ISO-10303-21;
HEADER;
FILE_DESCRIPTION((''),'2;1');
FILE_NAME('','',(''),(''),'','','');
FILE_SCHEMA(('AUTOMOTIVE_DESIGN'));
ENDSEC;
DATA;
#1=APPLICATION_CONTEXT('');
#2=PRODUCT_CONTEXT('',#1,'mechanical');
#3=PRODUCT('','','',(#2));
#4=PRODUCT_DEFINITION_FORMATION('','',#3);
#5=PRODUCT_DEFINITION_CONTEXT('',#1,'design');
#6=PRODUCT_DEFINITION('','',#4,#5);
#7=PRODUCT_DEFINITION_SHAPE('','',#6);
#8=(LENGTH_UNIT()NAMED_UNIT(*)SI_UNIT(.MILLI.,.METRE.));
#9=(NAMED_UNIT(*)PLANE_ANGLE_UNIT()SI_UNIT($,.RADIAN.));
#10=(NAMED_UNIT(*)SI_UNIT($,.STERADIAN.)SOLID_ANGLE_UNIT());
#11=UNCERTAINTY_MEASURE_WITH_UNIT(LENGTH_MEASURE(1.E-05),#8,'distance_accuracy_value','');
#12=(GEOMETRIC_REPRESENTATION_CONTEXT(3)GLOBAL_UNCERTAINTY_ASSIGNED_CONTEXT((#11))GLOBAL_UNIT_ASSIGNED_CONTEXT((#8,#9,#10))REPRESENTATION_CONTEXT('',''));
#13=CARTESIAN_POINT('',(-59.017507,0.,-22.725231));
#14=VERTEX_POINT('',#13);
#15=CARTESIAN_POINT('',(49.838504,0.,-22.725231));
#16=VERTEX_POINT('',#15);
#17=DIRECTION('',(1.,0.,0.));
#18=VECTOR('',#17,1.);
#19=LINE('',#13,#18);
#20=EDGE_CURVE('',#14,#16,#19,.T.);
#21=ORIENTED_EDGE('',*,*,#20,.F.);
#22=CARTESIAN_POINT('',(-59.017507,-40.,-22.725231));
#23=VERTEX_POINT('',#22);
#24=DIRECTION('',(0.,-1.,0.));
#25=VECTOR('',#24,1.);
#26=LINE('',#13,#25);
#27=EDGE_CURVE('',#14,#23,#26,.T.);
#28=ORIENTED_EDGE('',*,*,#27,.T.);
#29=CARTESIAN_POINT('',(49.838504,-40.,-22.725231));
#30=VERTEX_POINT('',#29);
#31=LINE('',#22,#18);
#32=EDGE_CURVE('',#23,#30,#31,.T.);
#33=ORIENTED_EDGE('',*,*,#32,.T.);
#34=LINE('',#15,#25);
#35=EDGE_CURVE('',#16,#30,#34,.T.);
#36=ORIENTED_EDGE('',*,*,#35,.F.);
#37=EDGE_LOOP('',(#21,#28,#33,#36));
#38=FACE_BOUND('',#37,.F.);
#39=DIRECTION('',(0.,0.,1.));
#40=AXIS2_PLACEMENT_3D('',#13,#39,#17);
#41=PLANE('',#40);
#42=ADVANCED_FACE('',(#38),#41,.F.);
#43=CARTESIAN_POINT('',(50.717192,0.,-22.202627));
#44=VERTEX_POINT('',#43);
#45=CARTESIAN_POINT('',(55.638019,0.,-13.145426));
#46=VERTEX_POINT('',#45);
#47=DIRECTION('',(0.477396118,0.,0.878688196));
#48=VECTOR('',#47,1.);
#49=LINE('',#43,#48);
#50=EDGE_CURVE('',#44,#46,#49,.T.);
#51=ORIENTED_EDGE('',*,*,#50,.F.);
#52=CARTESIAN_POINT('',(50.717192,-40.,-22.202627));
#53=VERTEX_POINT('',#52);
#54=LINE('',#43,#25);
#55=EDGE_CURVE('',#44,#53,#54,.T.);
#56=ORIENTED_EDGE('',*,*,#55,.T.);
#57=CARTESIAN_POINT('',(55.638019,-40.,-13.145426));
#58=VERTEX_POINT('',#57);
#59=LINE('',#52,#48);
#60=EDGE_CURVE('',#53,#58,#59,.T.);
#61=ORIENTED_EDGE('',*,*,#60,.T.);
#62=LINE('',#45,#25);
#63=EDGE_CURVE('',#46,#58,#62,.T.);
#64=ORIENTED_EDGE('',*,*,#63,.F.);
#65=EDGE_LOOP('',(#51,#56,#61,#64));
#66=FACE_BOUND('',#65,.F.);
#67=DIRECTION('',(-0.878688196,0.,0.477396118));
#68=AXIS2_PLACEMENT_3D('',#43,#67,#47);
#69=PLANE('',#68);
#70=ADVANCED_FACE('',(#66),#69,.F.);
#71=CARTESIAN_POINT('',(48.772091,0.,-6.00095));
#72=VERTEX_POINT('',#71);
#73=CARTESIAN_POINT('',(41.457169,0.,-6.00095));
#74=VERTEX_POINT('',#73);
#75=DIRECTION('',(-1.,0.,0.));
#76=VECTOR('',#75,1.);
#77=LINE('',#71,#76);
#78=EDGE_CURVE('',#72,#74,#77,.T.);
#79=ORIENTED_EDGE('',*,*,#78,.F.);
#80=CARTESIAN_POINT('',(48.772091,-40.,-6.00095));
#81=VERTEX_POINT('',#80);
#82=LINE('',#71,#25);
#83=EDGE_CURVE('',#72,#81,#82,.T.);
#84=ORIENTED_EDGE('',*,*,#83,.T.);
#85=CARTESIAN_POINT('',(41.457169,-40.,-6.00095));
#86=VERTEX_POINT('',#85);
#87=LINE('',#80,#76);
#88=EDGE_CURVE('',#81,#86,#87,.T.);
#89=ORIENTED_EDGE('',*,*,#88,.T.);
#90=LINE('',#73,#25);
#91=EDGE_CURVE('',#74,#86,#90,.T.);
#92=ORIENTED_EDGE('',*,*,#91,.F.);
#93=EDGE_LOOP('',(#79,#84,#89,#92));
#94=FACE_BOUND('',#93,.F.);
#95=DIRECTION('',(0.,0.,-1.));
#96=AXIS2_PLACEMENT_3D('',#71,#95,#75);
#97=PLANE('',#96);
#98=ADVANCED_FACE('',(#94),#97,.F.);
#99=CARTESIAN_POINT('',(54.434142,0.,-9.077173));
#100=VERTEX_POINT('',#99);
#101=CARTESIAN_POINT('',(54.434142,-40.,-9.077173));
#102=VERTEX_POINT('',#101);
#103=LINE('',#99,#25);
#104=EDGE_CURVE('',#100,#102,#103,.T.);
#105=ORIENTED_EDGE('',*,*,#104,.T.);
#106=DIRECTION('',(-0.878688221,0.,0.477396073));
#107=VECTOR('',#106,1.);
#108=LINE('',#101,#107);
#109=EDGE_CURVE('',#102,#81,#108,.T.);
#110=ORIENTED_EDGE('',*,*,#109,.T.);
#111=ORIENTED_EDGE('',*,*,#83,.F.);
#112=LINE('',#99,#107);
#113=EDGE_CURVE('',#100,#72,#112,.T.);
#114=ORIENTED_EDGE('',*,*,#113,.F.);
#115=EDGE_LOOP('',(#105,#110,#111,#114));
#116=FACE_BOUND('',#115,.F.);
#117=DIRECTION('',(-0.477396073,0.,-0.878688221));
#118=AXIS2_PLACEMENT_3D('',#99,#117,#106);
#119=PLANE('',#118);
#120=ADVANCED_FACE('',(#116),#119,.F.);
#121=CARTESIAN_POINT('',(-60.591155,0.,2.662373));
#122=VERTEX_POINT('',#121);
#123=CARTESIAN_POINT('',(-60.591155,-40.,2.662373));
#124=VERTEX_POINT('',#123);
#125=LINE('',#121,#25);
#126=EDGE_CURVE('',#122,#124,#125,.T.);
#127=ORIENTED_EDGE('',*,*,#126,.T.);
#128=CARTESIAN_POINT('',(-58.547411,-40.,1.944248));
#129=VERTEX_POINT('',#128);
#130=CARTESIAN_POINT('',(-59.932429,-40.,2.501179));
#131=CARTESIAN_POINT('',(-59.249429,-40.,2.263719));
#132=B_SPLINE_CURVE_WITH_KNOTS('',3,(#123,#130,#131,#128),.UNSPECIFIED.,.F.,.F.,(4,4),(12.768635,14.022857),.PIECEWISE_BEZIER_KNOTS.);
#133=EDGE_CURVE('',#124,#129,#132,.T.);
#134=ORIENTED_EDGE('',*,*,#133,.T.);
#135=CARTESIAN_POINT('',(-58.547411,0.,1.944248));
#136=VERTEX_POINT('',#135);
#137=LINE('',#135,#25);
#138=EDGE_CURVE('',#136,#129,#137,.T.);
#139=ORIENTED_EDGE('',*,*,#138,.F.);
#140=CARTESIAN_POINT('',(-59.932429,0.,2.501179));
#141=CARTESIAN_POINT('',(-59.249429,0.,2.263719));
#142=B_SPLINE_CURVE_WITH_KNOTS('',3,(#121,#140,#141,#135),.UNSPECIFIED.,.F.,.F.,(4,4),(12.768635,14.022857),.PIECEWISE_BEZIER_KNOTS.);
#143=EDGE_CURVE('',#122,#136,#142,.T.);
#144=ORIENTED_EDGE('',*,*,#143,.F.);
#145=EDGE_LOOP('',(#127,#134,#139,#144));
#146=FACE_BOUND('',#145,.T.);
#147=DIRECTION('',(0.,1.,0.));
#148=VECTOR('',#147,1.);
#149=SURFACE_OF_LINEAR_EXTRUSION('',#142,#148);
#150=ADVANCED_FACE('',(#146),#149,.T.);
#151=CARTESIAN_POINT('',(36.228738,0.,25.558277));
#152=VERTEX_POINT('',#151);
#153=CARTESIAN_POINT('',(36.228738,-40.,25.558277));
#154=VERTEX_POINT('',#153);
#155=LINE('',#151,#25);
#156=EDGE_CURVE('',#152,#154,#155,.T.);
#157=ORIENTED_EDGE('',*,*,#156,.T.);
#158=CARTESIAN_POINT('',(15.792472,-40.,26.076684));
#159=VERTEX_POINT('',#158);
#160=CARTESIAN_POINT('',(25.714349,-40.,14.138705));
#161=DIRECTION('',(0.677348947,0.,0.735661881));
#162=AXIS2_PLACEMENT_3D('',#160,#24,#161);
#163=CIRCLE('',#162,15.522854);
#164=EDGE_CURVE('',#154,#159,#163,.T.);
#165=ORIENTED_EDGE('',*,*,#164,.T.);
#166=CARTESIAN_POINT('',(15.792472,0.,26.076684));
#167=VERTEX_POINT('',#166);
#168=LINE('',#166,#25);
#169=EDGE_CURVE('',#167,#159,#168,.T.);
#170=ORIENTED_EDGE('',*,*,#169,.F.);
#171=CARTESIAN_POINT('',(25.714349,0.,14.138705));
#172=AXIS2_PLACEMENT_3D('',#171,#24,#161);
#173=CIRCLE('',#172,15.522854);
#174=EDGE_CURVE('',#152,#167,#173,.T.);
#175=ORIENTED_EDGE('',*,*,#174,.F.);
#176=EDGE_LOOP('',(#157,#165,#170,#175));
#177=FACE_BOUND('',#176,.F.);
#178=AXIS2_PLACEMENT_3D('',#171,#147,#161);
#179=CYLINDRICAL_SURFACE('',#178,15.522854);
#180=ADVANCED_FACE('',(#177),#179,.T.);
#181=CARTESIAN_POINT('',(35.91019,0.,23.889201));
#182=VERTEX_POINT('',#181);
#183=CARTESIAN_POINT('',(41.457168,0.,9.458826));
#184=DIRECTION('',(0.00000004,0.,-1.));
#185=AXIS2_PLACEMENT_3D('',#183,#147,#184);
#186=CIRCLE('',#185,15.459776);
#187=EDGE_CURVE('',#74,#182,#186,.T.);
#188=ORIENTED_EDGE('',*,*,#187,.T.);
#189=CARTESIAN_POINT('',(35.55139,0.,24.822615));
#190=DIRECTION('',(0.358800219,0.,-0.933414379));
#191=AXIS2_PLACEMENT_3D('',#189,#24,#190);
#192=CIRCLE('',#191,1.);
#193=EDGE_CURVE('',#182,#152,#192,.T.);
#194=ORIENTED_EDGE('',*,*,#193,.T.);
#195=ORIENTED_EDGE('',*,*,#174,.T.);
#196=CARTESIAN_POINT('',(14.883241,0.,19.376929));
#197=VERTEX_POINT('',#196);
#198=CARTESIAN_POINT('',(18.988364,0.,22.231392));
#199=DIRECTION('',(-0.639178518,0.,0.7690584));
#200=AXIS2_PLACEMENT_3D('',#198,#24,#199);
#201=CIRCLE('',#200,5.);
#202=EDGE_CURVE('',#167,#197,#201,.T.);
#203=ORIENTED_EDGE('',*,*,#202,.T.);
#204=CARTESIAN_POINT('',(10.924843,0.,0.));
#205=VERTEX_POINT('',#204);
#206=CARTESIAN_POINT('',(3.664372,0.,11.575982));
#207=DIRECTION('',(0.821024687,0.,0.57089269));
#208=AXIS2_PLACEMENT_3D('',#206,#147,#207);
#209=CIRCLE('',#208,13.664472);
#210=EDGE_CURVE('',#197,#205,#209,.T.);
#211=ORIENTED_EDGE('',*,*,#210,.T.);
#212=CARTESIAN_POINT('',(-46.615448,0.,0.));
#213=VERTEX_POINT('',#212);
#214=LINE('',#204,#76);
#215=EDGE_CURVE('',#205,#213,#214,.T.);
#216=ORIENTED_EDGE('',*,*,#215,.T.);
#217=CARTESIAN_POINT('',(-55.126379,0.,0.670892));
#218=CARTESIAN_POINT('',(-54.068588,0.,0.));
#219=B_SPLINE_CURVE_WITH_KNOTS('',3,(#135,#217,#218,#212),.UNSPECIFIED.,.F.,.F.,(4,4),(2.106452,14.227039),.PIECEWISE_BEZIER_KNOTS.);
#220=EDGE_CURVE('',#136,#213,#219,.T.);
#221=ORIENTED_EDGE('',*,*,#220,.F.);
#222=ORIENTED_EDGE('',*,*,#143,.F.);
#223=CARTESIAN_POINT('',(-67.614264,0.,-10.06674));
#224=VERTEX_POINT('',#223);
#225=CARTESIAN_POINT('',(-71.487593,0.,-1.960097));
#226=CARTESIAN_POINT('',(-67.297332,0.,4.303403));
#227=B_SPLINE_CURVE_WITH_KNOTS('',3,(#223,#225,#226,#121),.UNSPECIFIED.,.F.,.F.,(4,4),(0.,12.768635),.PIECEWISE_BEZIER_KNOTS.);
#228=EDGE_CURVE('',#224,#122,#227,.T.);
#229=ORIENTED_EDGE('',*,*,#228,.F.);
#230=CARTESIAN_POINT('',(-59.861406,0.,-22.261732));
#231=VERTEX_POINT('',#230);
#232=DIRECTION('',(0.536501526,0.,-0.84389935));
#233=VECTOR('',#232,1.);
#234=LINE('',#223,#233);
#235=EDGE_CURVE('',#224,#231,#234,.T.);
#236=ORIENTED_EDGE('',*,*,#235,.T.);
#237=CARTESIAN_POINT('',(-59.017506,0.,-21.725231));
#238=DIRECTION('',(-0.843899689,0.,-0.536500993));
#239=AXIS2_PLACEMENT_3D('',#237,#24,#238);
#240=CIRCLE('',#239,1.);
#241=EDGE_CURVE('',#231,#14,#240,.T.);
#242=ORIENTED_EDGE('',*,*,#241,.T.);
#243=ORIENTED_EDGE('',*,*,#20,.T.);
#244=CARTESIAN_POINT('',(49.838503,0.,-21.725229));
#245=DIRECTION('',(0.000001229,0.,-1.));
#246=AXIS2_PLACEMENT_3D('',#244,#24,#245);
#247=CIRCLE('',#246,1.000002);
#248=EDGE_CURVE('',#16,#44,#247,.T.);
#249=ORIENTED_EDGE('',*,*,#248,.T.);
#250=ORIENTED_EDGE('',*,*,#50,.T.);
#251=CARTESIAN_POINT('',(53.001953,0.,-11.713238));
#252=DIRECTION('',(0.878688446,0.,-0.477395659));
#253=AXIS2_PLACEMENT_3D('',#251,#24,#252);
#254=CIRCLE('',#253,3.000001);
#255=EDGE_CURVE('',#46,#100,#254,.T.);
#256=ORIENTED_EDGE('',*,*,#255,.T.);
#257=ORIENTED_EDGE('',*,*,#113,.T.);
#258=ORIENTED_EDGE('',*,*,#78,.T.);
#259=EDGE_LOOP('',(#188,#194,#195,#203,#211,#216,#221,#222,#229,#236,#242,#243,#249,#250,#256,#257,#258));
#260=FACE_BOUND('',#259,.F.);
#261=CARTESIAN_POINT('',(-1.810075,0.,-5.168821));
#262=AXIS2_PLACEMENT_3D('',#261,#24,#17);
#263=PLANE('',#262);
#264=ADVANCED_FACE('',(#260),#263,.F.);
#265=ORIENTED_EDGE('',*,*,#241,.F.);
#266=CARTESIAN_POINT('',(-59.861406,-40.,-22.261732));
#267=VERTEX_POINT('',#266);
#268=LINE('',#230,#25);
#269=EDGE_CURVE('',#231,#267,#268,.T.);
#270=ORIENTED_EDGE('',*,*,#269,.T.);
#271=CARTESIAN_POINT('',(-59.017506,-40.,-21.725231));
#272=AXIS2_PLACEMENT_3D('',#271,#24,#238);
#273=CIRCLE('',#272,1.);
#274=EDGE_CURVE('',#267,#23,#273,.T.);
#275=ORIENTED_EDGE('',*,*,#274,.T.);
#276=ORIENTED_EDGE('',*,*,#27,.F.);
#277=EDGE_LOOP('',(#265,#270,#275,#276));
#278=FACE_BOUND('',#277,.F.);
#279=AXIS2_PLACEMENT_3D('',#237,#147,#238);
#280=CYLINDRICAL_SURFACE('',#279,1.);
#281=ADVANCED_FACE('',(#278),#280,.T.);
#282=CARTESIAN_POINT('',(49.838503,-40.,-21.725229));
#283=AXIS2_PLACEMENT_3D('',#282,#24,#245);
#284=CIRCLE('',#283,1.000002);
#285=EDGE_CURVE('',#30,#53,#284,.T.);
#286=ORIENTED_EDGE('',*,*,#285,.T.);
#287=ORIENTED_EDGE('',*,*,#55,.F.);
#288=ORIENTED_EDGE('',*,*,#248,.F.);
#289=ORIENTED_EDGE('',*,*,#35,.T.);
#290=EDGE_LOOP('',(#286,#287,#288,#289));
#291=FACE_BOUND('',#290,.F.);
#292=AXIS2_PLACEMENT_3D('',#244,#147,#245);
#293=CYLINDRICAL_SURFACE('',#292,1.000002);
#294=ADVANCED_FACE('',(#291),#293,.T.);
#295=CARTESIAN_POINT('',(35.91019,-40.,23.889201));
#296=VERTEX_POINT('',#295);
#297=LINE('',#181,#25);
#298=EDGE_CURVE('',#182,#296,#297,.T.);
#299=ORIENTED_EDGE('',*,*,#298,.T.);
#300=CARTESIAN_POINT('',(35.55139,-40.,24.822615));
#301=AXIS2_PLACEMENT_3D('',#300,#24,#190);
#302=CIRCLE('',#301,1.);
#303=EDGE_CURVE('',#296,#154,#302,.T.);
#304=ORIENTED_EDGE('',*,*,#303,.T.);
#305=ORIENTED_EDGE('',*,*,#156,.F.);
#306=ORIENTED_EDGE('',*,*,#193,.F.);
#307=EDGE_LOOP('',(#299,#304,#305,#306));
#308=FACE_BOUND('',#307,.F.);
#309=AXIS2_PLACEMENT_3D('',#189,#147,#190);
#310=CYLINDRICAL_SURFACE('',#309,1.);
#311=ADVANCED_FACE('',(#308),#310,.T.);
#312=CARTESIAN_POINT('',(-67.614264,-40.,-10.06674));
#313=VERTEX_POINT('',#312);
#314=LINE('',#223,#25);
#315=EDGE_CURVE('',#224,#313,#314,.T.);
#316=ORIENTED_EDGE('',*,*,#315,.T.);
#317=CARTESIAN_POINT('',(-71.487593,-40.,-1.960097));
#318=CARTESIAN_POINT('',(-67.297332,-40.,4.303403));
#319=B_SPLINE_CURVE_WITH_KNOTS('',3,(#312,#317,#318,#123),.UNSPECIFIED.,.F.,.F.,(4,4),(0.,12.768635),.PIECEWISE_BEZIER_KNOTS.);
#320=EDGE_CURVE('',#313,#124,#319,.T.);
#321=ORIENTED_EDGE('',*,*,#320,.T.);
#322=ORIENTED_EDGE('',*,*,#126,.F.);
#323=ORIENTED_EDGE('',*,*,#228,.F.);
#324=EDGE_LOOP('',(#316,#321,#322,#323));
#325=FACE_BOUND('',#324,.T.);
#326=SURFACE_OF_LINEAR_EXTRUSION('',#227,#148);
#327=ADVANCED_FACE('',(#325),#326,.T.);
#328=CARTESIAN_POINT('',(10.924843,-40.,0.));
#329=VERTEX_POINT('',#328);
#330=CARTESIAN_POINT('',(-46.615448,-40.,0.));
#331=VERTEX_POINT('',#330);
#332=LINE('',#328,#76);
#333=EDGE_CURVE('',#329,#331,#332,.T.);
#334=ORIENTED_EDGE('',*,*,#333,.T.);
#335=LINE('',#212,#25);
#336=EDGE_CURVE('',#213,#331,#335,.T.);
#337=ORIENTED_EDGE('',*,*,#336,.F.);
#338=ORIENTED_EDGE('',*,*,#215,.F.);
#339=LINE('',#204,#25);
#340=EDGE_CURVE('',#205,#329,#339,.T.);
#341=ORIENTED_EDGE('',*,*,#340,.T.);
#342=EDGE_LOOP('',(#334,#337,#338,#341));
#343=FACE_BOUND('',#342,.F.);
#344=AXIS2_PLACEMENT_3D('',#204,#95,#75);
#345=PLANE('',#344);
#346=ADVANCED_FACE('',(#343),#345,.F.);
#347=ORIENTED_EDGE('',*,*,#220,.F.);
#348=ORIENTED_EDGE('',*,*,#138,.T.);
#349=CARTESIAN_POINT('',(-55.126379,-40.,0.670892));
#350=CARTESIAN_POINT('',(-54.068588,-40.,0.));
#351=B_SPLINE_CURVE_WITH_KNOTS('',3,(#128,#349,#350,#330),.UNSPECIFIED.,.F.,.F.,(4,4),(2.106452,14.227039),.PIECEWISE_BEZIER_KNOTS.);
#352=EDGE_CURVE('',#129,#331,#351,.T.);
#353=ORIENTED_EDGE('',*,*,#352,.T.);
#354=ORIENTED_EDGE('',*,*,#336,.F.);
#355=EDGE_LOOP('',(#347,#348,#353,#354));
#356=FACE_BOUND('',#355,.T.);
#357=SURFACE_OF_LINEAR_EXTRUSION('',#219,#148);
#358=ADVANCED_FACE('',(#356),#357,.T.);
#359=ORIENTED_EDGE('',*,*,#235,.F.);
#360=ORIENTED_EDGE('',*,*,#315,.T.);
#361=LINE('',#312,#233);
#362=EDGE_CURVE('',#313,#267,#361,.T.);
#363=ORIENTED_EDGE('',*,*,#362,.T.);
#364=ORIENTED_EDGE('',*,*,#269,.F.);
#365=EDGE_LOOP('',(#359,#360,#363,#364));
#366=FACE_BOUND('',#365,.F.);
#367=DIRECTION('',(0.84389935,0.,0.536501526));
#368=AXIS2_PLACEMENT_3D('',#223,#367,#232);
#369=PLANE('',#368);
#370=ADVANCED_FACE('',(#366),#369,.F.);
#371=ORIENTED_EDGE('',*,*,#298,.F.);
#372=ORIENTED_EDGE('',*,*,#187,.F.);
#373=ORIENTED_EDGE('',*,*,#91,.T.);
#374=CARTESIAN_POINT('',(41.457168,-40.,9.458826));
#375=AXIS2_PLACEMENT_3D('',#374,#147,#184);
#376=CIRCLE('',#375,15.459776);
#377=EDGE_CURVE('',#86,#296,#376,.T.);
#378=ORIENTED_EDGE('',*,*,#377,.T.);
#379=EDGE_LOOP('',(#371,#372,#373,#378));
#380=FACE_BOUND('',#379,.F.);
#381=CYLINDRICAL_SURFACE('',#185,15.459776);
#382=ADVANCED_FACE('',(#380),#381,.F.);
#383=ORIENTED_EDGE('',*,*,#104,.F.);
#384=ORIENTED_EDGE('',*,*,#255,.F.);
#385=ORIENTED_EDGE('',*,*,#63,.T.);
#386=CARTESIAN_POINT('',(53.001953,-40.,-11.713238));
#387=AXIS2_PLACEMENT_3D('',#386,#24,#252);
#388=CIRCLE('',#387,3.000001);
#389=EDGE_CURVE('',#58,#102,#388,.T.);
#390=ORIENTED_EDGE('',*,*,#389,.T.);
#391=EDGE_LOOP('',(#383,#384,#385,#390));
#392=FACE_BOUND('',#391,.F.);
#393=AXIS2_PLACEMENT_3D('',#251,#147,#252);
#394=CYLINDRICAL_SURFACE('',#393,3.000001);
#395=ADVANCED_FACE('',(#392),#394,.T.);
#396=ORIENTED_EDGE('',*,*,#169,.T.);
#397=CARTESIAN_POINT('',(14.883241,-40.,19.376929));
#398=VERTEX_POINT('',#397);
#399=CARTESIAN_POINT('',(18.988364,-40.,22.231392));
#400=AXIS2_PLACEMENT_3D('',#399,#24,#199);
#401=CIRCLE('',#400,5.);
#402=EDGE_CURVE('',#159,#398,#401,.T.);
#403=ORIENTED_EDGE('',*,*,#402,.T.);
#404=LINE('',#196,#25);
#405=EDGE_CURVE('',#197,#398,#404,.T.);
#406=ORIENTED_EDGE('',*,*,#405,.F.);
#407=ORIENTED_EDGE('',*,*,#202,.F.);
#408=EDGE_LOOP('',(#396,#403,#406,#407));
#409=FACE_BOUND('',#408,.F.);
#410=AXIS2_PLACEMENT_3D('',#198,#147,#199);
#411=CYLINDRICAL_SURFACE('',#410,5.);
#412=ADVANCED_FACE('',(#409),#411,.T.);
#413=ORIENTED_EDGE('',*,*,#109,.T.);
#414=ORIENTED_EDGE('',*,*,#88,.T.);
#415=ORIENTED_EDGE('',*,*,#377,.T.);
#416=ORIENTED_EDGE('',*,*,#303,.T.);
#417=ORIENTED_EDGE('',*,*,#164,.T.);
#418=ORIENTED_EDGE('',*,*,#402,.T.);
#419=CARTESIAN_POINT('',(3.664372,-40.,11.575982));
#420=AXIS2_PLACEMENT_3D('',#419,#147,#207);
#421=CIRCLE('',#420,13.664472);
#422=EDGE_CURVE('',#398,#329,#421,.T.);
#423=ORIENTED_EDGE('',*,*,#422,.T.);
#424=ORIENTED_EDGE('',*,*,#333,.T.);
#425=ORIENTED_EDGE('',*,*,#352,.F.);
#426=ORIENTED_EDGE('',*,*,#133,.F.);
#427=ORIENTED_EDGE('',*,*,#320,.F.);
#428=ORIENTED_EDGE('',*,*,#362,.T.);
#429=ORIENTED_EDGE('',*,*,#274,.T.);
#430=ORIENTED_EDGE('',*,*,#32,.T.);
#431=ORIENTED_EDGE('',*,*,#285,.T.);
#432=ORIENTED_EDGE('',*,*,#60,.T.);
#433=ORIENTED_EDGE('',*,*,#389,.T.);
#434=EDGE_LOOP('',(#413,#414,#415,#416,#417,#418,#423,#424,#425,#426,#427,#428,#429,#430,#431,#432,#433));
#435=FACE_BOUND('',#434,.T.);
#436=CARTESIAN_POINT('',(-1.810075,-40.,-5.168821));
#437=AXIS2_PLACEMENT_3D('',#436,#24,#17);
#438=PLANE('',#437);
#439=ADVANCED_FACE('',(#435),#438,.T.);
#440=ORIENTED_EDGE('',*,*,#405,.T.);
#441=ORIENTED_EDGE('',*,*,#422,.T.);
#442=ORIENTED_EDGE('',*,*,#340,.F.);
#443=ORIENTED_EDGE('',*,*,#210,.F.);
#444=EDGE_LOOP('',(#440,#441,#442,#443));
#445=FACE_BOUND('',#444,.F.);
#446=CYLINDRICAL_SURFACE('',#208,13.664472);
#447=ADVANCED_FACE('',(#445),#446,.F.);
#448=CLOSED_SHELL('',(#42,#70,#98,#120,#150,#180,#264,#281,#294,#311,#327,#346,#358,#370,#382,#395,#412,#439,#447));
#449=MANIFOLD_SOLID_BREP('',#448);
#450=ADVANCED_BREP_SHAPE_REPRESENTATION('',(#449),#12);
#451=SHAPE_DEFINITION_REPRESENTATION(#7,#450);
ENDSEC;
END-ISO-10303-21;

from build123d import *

# Parameters (mm, degrees)
F1_DEPTH = 40


with BuildPart() as f1:
    # F0 (on Front) → F1 (new body)
    with BuildSketch(Plane.XZ):
        with BuildLine():
            Line((-59.017507, -22.725231), (49.838504, -22.725231))
            ThreePointArc((49.838504, -22.725231), (50.349681, -22.584706), (50.717192, -22.202627))
            Line((50.717192, -22.202627), (55.638019, -13.145426))
            ThreePointArc((55.638019, -13.145426), (55.878643, -10.861969), (54.434142, -9.077173))
            Line((54.434142, -9.077173), (48.772091, -6.00095))
            Line((48.772091, -6.00095), (41.457169, -6.00095))
            ThreePointArc((41.457169, -6.00095), (26.256921, 6.637982), (35.91019, 23.889201))
            ThreePointArc((35.91019, 23.889201), (36.53366, 24.635146), (36.228738, 25.558277))
            ThreePointArc((36.228738, 25.558277), (26.107991, 29.656567), (15.792472, 26.076684))
            ThreePointArc((15.792472, 26.076684), (14.033782, 22.903784), (14.883241, 19.376929))
            ThreePointArc((14.883241, 19.376929), (17.052346, 8.841032), (10.924843, 0))
            Line((10.924843, 0), (0, 0))
            Line((0, 0), (-46.615448, 0))
            Line((-46.615448, 0), (-55.363879, 0))
            add(Edge.make_bspline(
                [(-58.547411, 1.944248), (-57.521384, 1.477328), (-56.454735, 0.835224), (-55.363879, 0)],
                knots=[14.022857, 14.022857, 14.022857, 14.022857, 15.855952, 15.855952, 15.855952, 15.855952], degree=3))
            add(Edge.make_bspline(
                [(-60.591155, 2.662373), (-59.80788, 2.405041), (-59.141956, 2.165546), (-58.547411, 1.944248)],
                knots=[0, 0, 0, 0, 2.106452, 2.106452, 2.106452, 2.106452], degree=3))
            add(Edge.make_bspline(
                [(-67.614264, -10.06674), (-71.487593, -1.960097), (-67.297332, 4.303403), (-60.591155, 2.662373)],
                knots=[0, 0, 0, 0, 12.768635, 12.768635, 12.768635, 12.768635], degree=3))
            Line((-67.614264, -10.06674), (-59.861406, -22.261732))
            ThreePointArc((-59.861406, -22.261732), (-59.49891, -22.60173), (-59.017507, -22.725231))
        make_face()
        with BuildLine():
            add(Edge.make_bspline(
                [(-60.591155, 2.662373), (-59.932429, 2.501179), (-59.249429, 2.263719), (-58.547411, 1.944248)],
                knots=[12.768635, 12.768635, 12.768635, 12.768635, 14.022857, 14.022857, 14.022857, 14.022857], degree=3))
            add(Edge.make_bspline(
                [(-60.591155, 2.662373), (-59.80788, 2.405041), (-59.141956, 2.165546), (-58.547411, 1.944248)],
                knots=[0, 0, 0, 0, 2.106452, 2.106452, 2.106452, 2.106452], degree=3))
        make_face()
        with BuildLine():
            add(Edge.make_bspline(
                [(-58.547411, 1.944248), (-55.126379, 0.670892), (-54.068588, 0), (-46.615448, 0)],
                knots=[2.106452, 2.106452, 2.106452, 2.106452, 14.227039, 14.227039, 14.227039, 14.227039], degree=3))
            add(Edge.make_bspline(
                [(-58.547411, 1.944248), (-57.521384, 1.477328), (-56.454735, 0.835224), (-55.363879, 0)],
                knots=[14.022857, 14.022857, 14.022857, 14.022857, 15.855952, 15.855952, 15.855952, 15.855952], degree=3))
            Line((-55.363879, 0), (-46.615448, 0))
        make_face()
    extrude(amount=F1_DEPTH)


solid = f1.part
